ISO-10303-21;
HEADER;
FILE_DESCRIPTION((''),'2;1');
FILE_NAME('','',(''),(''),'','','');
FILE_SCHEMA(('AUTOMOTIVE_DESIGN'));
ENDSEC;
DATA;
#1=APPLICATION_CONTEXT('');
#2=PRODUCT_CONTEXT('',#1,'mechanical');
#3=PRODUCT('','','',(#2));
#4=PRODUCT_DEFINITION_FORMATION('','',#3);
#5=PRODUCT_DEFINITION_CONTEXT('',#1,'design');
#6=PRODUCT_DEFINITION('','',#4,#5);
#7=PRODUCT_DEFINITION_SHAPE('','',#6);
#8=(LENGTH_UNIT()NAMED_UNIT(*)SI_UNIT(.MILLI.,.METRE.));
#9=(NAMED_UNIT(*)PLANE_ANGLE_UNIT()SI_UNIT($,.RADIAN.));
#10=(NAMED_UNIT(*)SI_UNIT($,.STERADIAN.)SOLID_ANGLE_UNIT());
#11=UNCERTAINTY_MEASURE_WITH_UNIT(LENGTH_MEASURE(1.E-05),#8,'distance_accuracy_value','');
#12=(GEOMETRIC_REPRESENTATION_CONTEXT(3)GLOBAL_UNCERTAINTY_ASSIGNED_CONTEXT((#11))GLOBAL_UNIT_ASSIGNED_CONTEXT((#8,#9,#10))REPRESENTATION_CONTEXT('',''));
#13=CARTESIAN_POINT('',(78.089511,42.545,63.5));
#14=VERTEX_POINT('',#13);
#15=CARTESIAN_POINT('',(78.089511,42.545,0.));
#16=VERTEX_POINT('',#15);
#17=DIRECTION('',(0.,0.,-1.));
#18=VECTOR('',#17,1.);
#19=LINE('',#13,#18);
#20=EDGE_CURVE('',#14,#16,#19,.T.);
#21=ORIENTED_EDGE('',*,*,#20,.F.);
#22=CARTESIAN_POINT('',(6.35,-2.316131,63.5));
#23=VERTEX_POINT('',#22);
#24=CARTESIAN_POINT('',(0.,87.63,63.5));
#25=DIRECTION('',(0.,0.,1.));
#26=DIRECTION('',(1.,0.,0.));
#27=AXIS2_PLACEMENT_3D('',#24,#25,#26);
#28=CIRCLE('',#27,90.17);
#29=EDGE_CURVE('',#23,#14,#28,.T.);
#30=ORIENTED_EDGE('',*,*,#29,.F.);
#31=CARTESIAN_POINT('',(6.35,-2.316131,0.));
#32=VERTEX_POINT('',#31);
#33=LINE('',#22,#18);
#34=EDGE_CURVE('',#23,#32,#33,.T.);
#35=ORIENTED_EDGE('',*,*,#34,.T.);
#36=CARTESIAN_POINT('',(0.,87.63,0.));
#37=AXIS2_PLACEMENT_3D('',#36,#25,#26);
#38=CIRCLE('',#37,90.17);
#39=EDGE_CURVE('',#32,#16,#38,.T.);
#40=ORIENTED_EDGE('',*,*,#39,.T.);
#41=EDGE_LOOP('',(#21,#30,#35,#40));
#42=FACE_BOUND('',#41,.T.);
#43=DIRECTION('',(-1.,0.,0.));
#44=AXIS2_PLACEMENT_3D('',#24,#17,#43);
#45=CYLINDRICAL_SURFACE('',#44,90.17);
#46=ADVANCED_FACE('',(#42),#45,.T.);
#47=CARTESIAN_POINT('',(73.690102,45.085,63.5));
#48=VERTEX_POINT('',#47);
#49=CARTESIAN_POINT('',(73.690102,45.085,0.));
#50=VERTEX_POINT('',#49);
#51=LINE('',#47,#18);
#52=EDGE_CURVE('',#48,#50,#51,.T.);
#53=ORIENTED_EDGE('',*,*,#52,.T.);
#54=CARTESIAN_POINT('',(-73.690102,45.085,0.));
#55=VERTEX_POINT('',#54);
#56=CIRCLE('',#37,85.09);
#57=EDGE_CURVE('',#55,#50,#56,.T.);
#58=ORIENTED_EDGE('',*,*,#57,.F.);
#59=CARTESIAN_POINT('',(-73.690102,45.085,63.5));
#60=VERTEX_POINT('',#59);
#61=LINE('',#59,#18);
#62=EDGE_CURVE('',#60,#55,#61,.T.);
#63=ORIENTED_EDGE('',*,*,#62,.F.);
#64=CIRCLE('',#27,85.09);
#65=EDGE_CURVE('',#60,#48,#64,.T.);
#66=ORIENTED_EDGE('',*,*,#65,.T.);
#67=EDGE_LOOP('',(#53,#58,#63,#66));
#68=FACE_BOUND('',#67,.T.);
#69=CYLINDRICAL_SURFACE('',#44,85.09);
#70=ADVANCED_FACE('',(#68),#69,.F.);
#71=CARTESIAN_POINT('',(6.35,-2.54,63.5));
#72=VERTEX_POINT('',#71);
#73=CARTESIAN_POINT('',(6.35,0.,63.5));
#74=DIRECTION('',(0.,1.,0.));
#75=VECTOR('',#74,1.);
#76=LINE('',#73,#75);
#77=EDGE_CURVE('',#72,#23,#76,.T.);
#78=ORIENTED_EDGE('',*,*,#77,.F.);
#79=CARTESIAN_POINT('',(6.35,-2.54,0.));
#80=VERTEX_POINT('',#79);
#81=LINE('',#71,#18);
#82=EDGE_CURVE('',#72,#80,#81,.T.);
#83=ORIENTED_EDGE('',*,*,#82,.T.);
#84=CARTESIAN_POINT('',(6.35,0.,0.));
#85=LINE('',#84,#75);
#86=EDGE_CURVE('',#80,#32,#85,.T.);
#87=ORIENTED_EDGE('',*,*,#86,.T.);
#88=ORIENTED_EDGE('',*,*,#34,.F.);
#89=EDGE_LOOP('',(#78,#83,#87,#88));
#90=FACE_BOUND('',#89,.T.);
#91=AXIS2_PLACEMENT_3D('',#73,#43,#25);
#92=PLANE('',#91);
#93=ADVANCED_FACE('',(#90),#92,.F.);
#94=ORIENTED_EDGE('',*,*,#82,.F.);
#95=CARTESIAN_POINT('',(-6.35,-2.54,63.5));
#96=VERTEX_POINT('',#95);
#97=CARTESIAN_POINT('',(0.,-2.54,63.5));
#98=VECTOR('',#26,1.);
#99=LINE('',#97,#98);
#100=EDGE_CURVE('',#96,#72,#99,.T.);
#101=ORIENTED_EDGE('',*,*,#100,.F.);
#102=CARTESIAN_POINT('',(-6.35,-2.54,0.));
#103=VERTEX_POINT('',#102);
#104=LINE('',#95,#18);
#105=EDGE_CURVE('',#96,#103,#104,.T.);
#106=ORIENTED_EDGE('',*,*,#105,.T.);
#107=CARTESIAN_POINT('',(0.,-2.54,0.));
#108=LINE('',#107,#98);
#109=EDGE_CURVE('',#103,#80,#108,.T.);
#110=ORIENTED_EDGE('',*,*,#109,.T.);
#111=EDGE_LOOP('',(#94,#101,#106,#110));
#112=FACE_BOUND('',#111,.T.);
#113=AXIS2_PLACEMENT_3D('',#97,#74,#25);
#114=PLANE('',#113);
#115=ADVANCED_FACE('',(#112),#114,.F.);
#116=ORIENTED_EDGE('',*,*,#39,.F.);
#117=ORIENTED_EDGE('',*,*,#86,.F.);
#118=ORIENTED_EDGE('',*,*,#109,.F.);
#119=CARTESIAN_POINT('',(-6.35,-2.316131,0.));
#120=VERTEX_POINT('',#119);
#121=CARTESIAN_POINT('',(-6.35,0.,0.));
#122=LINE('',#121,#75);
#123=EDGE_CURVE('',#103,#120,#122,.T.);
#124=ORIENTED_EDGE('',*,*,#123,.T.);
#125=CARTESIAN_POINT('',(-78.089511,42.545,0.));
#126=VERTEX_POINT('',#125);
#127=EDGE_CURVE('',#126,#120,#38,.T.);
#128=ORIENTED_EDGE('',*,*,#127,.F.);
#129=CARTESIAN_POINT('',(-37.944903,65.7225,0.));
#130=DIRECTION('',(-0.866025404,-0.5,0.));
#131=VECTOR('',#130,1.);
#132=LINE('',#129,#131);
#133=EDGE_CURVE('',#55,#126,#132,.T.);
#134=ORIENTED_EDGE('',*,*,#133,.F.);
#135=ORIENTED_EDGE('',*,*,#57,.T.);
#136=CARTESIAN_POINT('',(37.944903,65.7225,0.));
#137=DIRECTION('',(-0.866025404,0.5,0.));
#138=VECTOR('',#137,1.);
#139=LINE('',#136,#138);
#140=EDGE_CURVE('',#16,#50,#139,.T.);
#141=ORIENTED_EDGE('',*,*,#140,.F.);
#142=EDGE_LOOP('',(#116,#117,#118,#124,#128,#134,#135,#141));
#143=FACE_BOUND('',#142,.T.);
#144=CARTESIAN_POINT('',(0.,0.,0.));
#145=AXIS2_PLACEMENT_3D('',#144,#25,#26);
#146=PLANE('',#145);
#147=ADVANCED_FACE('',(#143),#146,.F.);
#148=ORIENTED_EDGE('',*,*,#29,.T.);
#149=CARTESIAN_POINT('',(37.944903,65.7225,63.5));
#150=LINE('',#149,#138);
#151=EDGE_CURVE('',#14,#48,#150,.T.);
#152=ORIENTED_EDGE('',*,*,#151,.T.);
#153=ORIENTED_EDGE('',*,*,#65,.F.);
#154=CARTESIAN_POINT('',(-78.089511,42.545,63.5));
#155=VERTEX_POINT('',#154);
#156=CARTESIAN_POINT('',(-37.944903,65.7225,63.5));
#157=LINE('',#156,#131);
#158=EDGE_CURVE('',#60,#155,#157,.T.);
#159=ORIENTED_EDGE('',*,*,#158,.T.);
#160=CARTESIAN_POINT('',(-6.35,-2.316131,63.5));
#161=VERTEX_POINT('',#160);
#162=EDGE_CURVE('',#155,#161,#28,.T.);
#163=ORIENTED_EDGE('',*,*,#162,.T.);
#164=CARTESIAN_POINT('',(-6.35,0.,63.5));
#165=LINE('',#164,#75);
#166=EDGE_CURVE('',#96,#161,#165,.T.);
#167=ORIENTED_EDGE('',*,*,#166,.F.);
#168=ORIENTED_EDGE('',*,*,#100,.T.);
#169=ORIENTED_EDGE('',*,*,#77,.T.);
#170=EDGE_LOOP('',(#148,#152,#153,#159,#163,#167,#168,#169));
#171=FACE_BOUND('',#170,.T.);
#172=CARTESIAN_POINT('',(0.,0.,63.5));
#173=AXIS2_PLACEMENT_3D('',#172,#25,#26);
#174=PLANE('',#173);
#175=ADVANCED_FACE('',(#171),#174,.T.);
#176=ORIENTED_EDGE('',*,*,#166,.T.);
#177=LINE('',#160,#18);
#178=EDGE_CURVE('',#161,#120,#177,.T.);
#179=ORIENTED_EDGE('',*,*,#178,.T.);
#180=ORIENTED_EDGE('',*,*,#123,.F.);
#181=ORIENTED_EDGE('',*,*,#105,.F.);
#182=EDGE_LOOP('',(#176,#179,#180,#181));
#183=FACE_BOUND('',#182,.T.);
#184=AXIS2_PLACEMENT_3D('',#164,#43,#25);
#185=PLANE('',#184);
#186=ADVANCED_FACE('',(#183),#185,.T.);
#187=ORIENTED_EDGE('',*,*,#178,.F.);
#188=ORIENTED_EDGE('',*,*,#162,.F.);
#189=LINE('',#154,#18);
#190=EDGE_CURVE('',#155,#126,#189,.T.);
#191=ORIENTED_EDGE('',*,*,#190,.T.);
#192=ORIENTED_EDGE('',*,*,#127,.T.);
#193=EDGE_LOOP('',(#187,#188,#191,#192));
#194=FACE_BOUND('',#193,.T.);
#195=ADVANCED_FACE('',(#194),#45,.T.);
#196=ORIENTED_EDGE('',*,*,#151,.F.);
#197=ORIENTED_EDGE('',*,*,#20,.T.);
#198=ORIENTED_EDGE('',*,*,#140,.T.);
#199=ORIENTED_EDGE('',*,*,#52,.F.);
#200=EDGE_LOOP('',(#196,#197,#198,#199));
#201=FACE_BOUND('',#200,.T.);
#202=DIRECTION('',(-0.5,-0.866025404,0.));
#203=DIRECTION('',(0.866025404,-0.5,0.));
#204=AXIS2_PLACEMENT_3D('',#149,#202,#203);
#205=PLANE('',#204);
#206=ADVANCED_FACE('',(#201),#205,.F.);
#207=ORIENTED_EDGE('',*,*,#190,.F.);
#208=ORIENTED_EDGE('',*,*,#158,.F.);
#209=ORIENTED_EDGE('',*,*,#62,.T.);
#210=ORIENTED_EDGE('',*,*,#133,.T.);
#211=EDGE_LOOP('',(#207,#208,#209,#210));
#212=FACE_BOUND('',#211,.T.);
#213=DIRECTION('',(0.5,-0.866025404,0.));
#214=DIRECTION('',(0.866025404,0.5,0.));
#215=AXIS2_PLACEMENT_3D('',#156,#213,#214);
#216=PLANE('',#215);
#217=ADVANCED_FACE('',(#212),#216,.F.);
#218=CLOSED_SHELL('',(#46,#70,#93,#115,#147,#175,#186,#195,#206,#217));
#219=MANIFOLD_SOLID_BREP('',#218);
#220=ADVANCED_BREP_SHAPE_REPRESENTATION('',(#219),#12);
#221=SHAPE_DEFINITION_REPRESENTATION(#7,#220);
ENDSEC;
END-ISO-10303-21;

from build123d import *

# Parameters (mm, degrees)
SKETCH1_W           = 12.7
SKETCH1_H           = 5.08
BOSS_EXTRUDE1_DEPTH = 63.5


with BuildPart() as part:
    # Sketch1 → Boss-Extrude1 (new body)
    with BuildSketch(Plane.XY):
        Rectangle(SKETCH1_W, SKETCH1_H)
        with BuildLine():
            Line((-73.690101608, 45.085), (-78.089510659, 42.545))
            ThreePointArc((-78.089510659, 42.545), (0, -2.54), (78.089510659, 42.545))
            Line((78.089510659, 42.545), (73.690101608, 45.085))
            ThreePointArc((73.690101608, 45.085), (0, 2.54), (-73.690101608, 45.085))
        make_face()
    extrude(amount=BOSS_EXTRUDE1_DEPTH)


solid = part.part
